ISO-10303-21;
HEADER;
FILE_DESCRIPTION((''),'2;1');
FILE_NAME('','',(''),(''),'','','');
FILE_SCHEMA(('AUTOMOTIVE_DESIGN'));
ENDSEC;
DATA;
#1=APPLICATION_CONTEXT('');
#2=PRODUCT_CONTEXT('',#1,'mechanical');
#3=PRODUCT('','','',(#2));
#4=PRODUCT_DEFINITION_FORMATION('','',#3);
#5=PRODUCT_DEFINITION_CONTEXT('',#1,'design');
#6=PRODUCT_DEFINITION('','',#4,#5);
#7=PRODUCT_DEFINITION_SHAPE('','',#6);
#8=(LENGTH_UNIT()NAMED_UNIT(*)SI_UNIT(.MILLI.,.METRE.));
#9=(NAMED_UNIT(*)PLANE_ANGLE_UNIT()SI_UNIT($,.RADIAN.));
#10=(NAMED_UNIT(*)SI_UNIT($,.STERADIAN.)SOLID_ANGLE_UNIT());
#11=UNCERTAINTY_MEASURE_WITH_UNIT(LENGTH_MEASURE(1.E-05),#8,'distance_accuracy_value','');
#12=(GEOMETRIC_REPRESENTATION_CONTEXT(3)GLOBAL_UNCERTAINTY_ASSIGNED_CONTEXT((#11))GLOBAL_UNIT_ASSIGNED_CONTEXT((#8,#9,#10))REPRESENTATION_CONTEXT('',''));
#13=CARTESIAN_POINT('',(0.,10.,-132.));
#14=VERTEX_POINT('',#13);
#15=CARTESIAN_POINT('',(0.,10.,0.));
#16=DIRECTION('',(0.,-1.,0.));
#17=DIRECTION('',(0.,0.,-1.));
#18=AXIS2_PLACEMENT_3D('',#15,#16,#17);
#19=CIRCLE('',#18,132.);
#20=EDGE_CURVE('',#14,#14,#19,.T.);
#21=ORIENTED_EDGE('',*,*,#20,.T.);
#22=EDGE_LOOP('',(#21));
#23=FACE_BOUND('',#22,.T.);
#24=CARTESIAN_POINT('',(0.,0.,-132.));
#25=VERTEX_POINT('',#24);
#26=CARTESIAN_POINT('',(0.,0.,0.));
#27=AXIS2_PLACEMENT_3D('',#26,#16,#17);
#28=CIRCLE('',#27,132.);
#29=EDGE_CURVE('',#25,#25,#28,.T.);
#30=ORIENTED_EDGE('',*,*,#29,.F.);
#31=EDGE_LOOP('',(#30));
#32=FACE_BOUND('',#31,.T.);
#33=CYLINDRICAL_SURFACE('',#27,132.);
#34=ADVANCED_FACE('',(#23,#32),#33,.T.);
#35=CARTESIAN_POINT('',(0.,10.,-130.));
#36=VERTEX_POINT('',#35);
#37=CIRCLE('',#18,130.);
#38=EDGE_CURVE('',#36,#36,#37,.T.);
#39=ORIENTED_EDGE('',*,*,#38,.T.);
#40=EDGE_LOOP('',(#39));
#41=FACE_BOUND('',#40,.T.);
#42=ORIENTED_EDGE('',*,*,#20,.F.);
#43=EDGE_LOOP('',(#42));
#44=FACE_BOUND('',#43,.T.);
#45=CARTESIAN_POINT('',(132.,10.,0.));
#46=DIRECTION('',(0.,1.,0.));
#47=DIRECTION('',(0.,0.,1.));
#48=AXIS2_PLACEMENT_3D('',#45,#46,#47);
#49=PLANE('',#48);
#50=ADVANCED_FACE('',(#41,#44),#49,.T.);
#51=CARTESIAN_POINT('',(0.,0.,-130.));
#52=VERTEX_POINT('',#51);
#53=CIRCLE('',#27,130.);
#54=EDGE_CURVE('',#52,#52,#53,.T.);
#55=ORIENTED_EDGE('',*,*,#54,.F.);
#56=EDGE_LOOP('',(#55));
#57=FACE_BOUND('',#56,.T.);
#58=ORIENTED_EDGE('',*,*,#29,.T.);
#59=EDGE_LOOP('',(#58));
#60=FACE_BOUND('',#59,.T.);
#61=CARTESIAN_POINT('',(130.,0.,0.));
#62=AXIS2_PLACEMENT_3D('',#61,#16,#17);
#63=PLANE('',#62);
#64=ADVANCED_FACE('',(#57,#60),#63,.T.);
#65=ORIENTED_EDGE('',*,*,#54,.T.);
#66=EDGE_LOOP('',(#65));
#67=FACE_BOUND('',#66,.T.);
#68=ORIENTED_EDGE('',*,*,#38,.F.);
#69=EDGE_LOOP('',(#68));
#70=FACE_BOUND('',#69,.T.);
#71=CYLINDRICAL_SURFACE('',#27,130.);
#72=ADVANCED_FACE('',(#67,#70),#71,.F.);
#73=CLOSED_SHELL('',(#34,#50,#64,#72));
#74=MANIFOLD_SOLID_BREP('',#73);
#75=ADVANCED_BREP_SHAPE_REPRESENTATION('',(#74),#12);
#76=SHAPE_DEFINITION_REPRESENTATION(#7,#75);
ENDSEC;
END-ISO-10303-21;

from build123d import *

# Parameters (mm, degrees)
SKETCH1_W = 2
SKETCH1_H = 10


with BuildPart() as part:
    # Sketch1 → Revolve1 (revolve)
    with BuildSketch(Plane.XY, mode=Mode.PRIVATE) as revolve1_sk:
        with Locations((131, 5)):
            Rectangle(SKETCH1_W, SKETCH1_H)
    revolve(revolve1_sk.sketch.rotate(Axis((0, 0, 0), (0, 1, 0)), 90), axis=Axis((0, 0, 0), (0, 1, 0)))


solid = part.part
